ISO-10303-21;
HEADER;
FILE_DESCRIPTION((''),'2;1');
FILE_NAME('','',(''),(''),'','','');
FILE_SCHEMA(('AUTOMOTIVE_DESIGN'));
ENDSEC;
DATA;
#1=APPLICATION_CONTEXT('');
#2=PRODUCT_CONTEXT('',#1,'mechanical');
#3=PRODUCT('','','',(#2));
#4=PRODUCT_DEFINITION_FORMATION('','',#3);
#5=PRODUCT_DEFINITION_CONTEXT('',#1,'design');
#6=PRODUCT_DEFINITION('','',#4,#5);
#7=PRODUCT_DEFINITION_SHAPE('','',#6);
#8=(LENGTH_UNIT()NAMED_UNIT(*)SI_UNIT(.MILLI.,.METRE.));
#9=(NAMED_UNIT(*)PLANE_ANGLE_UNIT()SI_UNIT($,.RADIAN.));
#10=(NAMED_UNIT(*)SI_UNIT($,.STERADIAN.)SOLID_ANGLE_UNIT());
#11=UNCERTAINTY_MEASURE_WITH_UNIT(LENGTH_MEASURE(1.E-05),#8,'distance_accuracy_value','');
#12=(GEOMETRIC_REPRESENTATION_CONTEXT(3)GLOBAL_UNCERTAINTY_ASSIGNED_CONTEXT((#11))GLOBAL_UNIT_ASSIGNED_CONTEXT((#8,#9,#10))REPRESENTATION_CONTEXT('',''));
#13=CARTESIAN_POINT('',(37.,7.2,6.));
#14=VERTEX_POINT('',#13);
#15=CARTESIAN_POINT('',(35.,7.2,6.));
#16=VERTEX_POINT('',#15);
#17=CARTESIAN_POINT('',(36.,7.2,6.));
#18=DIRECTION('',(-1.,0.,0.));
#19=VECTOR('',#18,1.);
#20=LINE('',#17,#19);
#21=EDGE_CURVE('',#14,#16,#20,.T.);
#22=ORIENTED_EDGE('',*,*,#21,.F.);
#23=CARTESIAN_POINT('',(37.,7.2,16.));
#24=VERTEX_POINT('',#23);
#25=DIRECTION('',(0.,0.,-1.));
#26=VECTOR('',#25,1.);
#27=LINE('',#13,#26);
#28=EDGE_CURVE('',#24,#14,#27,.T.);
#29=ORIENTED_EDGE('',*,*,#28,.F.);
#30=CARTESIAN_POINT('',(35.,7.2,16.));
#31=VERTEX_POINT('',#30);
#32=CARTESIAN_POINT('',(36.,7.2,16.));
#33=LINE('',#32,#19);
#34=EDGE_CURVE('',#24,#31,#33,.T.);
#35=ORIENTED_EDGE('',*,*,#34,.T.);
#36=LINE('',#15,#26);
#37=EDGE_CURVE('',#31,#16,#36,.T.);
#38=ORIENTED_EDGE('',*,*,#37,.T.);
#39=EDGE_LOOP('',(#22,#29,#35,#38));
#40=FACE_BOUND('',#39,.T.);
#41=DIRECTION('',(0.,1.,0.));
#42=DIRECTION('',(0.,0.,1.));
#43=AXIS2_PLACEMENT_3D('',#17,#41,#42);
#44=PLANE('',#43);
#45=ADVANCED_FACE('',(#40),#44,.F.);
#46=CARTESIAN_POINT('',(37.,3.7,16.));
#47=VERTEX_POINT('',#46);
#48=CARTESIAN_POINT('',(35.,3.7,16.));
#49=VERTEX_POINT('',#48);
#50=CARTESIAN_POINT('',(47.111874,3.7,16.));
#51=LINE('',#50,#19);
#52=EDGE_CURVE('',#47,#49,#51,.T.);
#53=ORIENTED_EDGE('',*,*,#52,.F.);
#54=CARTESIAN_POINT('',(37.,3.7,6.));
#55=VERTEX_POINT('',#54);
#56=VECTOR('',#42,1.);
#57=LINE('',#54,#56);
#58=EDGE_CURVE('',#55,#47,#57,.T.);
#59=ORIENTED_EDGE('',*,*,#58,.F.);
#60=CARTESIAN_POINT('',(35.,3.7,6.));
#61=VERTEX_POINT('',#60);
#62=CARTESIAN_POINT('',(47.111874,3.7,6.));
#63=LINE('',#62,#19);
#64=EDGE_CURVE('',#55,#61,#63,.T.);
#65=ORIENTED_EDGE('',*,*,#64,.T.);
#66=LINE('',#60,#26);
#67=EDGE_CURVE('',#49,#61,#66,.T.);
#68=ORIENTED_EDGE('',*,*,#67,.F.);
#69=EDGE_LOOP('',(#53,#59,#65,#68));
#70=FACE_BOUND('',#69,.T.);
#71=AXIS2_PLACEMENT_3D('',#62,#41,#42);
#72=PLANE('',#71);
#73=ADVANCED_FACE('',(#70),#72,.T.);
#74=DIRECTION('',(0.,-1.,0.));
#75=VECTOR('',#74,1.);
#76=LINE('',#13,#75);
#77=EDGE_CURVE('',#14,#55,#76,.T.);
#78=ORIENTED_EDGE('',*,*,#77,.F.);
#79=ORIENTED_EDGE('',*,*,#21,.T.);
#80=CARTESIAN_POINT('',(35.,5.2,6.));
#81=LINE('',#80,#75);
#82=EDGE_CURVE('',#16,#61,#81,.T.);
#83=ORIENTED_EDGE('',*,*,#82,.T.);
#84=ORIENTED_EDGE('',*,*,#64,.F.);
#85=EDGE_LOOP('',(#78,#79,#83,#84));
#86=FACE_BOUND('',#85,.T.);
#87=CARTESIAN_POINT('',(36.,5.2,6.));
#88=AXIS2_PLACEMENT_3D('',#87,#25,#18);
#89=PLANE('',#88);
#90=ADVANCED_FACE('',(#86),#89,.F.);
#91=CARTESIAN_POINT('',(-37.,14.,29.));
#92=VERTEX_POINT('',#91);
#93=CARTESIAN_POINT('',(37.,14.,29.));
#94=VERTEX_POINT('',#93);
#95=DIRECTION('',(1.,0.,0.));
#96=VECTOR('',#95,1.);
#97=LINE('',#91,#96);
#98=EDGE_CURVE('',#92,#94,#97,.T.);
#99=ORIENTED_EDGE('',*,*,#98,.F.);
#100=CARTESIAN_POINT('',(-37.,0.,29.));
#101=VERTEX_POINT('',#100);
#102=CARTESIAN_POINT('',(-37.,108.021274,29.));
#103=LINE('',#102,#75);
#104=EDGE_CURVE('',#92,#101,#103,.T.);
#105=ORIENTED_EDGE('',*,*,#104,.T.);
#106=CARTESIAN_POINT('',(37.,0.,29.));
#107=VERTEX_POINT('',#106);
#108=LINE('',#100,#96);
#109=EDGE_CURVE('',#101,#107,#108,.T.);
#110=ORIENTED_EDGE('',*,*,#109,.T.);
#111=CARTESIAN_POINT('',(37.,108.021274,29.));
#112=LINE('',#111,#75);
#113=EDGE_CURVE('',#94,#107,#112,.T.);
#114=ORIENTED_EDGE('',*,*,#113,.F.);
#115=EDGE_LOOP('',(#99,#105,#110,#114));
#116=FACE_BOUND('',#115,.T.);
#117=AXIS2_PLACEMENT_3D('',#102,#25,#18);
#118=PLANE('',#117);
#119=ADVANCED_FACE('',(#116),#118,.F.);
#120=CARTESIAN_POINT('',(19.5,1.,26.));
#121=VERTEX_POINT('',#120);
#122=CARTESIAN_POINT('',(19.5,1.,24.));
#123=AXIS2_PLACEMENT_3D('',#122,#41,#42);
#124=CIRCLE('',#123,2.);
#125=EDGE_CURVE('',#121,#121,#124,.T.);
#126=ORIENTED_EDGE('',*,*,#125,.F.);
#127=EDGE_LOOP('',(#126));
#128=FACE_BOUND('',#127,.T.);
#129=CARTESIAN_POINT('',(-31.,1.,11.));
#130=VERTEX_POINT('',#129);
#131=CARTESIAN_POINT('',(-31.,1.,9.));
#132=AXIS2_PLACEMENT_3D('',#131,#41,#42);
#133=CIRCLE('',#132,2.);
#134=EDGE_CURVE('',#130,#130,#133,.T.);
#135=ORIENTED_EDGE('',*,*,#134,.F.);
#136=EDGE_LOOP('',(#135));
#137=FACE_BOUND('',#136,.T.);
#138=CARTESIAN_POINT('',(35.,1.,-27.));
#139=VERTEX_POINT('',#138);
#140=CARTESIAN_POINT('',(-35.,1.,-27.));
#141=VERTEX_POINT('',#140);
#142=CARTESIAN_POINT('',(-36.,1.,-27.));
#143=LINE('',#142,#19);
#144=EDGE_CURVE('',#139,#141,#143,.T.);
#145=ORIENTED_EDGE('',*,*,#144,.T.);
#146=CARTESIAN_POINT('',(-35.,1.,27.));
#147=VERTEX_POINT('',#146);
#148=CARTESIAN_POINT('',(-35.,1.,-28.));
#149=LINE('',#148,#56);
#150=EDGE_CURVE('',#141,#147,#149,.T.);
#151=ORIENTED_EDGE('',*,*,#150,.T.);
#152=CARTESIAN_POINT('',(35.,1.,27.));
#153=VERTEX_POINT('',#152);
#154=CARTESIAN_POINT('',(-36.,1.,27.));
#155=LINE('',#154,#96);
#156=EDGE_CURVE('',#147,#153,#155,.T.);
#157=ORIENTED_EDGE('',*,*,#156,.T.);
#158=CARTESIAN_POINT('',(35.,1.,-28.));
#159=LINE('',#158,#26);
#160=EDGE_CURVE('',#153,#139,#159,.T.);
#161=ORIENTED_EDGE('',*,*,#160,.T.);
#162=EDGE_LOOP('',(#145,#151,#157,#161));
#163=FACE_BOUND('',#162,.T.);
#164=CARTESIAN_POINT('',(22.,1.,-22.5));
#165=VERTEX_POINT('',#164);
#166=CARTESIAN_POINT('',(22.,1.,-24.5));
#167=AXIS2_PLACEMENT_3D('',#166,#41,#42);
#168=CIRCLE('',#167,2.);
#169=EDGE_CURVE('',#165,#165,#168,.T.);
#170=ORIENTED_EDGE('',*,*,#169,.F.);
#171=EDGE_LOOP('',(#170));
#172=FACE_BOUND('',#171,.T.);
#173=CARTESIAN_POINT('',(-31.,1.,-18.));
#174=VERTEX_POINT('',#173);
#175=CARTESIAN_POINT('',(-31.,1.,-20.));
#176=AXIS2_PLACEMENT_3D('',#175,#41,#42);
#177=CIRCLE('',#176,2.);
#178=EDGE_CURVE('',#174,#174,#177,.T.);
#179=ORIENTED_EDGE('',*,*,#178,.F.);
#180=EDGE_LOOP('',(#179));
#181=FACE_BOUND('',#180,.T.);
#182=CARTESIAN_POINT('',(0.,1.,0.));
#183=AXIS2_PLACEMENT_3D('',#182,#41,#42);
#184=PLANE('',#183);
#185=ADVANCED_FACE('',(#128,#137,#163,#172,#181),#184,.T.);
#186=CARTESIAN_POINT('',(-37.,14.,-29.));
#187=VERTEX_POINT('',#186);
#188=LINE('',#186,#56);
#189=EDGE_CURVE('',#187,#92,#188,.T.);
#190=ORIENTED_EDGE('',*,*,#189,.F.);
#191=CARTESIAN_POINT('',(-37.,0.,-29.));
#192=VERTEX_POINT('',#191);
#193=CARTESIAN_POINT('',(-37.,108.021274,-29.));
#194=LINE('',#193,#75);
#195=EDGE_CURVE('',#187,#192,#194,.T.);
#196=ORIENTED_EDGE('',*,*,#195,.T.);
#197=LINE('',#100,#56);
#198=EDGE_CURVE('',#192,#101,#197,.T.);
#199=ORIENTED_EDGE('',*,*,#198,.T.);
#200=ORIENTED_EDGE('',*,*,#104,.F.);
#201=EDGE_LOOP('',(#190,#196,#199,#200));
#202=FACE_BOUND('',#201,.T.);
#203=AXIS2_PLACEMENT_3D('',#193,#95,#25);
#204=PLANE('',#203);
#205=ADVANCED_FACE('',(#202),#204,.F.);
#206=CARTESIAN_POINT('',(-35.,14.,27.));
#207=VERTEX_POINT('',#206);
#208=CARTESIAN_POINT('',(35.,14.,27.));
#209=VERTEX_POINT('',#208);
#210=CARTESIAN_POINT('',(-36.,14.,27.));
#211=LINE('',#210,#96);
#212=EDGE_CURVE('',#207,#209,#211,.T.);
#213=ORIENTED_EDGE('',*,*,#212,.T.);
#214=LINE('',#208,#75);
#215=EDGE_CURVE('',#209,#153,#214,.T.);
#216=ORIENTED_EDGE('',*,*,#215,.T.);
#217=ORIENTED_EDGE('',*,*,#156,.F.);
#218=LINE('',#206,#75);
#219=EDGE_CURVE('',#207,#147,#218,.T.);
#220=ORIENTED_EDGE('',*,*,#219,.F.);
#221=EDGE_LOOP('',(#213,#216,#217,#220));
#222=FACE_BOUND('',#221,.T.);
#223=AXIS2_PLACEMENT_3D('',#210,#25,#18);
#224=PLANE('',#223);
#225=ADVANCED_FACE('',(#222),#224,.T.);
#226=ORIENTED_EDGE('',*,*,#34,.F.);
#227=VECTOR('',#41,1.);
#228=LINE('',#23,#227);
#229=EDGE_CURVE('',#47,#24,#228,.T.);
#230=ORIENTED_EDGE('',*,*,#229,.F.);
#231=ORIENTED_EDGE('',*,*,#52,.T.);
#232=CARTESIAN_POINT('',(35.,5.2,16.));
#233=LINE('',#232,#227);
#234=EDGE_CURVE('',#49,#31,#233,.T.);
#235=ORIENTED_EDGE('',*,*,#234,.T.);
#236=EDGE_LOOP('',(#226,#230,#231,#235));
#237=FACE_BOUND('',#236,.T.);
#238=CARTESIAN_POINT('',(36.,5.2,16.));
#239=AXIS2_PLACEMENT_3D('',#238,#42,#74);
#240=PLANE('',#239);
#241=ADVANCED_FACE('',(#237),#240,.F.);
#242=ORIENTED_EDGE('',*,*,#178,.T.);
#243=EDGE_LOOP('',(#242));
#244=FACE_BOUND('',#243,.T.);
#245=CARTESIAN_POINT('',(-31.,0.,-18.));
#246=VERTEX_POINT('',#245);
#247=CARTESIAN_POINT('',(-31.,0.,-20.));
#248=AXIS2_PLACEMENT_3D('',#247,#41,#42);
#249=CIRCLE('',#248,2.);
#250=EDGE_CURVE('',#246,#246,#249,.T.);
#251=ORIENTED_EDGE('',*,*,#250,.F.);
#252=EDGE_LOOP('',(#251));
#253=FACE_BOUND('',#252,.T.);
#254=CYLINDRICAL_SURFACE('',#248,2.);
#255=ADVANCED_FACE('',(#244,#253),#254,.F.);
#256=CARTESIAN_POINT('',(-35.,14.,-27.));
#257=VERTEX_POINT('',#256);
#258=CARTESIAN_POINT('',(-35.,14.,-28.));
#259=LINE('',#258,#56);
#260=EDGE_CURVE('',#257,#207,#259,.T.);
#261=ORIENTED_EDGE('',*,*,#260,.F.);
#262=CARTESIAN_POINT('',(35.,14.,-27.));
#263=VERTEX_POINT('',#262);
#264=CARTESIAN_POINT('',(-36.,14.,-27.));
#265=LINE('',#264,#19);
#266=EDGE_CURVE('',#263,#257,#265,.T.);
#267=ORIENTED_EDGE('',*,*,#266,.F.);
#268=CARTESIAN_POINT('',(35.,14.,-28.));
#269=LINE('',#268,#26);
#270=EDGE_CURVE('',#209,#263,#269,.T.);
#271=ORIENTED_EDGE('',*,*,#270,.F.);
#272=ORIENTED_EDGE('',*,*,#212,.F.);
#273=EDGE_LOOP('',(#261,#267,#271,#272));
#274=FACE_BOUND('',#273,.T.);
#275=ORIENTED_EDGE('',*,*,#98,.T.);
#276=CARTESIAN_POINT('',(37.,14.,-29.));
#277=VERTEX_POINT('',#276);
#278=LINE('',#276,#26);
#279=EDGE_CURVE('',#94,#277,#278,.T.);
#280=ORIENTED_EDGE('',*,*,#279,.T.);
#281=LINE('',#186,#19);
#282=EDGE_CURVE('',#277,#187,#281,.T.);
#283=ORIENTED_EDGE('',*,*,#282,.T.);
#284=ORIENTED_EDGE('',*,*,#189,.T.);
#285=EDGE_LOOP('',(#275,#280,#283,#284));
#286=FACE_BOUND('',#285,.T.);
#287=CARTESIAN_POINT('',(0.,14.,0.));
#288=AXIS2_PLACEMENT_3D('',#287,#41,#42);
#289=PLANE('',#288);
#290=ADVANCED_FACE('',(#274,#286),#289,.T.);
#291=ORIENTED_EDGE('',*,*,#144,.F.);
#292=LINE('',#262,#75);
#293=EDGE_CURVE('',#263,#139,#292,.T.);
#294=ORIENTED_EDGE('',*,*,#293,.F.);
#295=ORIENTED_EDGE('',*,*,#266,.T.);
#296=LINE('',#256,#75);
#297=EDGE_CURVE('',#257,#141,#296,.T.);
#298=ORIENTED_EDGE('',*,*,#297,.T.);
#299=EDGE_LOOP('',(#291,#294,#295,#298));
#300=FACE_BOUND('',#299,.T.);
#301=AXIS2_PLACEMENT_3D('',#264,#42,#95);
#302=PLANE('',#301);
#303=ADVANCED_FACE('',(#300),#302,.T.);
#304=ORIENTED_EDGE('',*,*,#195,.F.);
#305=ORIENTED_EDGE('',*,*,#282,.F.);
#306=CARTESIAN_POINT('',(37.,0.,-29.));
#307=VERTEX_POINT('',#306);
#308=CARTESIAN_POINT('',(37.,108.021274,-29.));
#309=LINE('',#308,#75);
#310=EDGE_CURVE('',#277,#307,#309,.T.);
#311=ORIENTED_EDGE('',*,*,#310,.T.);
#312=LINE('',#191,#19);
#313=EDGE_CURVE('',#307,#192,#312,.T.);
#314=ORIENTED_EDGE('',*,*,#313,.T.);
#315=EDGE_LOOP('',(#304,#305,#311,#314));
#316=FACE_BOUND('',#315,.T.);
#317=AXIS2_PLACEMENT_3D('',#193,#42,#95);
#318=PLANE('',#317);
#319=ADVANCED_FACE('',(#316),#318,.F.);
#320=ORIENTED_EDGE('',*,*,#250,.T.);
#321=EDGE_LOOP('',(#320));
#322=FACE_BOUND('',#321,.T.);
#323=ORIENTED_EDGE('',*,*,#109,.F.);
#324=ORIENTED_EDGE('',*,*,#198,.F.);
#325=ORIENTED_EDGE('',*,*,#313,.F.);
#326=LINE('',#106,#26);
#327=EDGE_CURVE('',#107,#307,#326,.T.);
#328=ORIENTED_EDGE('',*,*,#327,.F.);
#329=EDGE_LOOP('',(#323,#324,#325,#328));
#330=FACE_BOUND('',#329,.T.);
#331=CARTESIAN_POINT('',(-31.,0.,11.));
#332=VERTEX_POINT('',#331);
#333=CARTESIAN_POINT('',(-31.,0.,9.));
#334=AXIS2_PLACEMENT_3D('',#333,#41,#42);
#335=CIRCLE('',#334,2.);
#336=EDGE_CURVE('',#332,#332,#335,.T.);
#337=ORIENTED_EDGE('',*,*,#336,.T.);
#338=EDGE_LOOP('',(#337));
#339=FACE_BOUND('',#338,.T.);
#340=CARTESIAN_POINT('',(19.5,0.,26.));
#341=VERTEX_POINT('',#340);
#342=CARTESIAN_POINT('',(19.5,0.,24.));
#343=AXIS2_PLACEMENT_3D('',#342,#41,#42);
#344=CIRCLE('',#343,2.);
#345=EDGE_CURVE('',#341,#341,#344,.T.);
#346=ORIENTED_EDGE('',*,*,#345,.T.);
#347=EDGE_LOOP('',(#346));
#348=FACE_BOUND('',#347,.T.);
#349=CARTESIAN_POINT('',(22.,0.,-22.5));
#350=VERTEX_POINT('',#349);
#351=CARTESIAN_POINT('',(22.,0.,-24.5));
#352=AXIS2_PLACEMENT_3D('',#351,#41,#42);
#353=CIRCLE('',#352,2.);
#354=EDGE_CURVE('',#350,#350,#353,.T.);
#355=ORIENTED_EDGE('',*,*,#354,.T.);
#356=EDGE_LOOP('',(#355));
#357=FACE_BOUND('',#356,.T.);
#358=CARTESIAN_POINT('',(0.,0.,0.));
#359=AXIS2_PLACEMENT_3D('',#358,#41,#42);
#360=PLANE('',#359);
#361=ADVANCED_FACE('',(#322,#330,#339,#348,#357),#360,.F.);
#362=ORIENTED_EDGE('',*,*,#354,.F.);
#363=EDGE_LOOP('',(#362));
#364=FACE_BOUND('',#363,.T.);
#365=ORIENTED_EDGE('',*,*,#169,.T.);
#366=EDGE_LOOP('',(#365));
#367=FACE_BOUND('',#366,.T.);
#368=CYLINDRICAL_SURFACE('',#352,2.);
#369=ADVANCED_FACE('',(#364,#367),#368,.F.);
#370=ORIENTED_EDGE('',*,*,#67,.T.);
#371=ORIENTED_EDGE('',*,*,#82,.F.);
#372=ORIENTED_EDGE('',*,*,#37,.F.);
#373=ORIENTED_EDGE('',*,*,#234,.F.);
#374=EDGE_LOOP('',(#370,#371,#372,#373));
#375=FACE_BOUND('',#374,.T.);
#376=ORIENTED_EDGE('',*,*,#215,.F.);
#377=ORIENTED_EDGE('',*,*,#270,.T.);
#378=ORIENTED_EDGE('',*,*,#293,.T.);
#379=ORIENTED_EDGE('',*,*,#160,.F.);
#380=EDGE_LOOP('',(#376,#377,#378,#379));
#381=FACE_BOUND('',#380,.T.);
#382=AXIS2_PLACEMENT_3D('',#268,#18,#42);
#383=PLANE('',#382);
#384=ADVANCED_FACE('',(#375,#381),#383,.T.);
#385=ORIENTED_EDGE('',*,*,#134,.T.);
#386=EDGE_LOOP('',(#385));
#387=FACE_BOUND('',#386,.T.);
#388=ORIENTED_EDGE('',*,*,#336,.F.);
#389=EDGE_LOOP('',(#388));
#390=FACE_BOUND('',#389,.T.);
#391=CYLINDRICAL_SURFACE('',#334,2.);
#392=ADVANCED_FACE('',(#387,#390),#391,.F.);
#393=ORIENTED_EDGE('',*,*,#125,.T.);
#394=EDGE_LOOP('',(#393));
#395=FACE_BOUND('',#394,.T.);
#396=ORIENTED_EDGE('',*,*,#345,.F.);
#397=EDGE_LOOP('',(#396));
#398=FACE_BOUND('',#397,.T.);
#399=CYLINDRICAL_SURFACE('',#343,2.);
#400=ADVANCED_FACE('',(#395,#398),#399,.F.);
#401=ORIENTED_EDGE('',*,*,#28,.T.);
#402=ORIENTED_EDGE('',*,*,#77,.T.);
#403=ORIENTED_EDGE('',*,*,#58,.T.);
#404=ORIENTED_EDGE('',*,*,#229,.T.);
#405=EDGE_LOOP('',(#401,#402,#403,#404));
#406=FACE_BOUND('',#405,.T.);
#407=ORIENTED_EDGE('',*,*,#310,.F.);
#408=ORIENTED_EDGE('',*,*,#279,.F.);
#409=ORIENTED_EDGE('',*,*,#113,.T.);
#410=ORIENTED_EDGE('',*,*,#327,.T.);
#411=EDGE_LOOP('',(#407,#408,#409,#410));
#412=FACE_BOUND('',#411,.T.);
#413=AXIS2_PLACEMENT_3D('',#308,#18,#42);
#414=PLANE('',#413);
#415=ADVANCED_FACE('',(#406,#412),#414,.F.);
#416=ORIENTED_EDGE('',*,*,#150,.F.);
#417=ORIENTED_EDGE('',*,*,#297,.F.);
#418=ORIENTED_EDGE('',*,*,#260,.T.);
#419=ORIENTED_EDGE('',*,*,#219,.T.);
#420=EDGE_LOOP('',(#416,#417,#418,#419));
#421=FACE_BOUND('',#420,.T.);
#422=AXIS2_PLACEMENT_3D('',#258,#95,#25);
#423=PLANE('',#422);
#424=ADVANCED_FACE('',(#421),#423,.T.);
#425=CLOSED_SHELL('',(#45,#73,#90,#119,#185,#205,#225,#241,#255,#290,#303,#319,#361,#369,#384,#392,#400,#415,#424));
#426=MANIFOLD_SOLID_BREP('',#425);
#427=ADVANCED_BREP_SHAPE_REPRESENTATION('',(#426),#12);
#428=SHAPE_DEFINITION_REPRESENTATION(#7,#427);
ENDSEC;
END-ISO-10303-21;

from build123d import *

# Parameters (mm, degrees)
IZIM1_W                     = 72
IZIM1_H                     = 56
Y_KSEKLIK_EKSTR_ZYON2_DEPTH = 1
IZIM3_W                     = 72
IZIM3_H                     = 56
IZIM3_W_2                   = 70
IZIM3_H_2                   = 54
EKSTR_ZYON_NCE2_DEPTH       = 13
IZIM4_W                     = 10
IZIM4_H                     = 4
KES_EKSTR_ZYON1_DEPTH       = 1
IZIM5_R                     = 2
KES_EKSTR_ZYON2_DEPTH       = 1
IZIM6_W                     = 1
IZIM6_H                     = 14
Y_KSEKLIK_EKSTR_ZYON3_DEPTH = 56
IZIM7_W                     = 10
IZIM7_H                     = 3
KES_EKSTR_ZYON3_DEPTH       = 1
IZIM8_W                     = 74
IZIM8_H                     = 58
IZIM8_W_2                   = 72
IZIM8_H_2                   = 56
EKSTR_ZYON_NCE4_DEPTH       = 13
IZIM9_W                     = 10
IZIM9_H                     = 5
KES_EKSTR_ZYON4_DEPTH       = 1
IZIM10_W                    = 10
IZIM10_H                    = 1.5
Y_KSEKLIK_EKSTR_ZYON4_DEPTH = 2
IZIM11_W                    = 10
IZIM11_H                    = 3.5
KES_EKSTR_ZYON5_DEPTH       = 2
IZIM12_W                    = 74
IZIM12_H                    = 58
IZIM12_W_2                  = 72
IZIM12_H_2                  = 56
EKSTR_ZYON_NCE5_DEPTH       = 1


with BuildPart() as part:
    # Çizim1 → Yükseklik-Ekstrüzyon2 (new body)
    with BuildSketch(Plane(origin=(0, 0, 0), x_dir=(1, 0, 0), z_dir=(0, 1, 0))):
        Rectangle(IZIM1_W, IZIM1_H)
    extrude(amount=Y_KSEKLIK_EKSTR_ZYON2_DEPTH)

    # Çizim3 → Ekstrüzyon-İnce2 (add)
    with BuildSketch(Plane(origin=(0, 1, 0), x_dir=(1, 0, 0), z_dir=(0, 1, 0))):
        Rectangle(IZIM3_W, IZIM3_H)
        Rectangle(IZIM3_W_2, IZIM3_H_2, mode=Mode.SUBTRACT)
    extrude(amount=EKSTR_ZYON_NCE2_DEPTH)

    # Çizim4 → Kes-Ekstrüzyon1 (cut)
    with BuildSketch(Plane.ZY.offset(-35)):
        with Locations((20.9, 4)):
            Rectangle(IZIM4_W, IZIM4_H)
    extrude(amount=-KES_EKSTR_ZYON1_DEPTH, mode=Mode.SUBTRACT)

    # Çizim5 → Kes-Ekstrüzyon2 (cut)
    with BuildSketch(Plane(origin=(0, 1, 0), x_dir=(1, 0, 0), z_dir=(0, 1, 0))):
        with Locations(Location((19.5, -24, 0), (0, 0, 270))):
            Circle(IZIM5_R)
        with Locations(Location((22, 24.5, 0), (0, 0, 270))):
            Circle(IZIM5_R)
        with Locations(Location((-31, -9, 0), (0, 0, 270))):
            Circle(IZIM5_R)
        with Locations(Location((-31, 20, 0), (0, 0, 270))):
            Circle(IZIM5_R)
    extrude(amount=-KES_EKSTR_ZYON2_DEPTH, mode=Mode.SUBTRACT)

    # Çizim6 → Yükseklik-Ekstrüzyon3 (add)
    with BuildSketch(Plane.XY.offset(28)):
        with Locations((35.5, 7)):
            Rectangle(IZIM6_W, IZIM6_H)
    extrude(amount=-Y_KSEKLIK_EKSTR_ZYON3_DEPTH)

    # Çizim7 → Kes-Ekstrüzyon3 (cut)
    with BuildSketch(Plane.ZY.offset(-35)):
        with Locations((11, 3.7)):
            Rectangle(IZIM7_W, IZIM7_H)
    extrude(amount=-KES_EKSTR_ZYON3_DEPTH, mode=Mode.SUBTRACT)

    # Çizim8 → Ekstrüzyon-İnce4 (add)
    with BuildSketch(Plane(origin=(0, 1, 0), x_dir=(1, 0, 0), z_dir=(0, 1, 0))):
        Rectangle(IZIM8_W, IZIM8_H)
        Rectangle(IZIM8_W_2, IZIM8_H_2, mode=Mode.SUBTRACT)
    extrude(amount=EKSTR_ZYON_NCE4_DEPTH)

    # Çizim9 → Kes-Ekstrüzyon4 (cut)
    with BuildSketch(Plane.ZY.offset(-35)):
        with Locations((11, 4.7)):
            Rectangle(IZIM9_W, IZIM9_H)
    extrude(amount=-KES_EKSTR_ZYON4_DEPTH, mode=Mode.SUBTRACT)

    # Çizim10 → Yükseklik-Ekstrüzyon4 (add)
    with BuildSketch(Plane.ZY.offset(-35)):
        with Locations((11, 2.95)):
            Rectangle(IZIM10_W, IZIM10_H)
    extrude(amount=-Y_KSEKLIK_EKSTR_ZYON4_DEPTH)

    # Çizim11 → Kes-Ekstrüzyon5 (cut)
    with BuildSketch(Plane.ZY.offset(-35)):
        with Locations((11, 5.45)):
            Rectangle(IZIM11_W, IZIM11_H)
    extrude(amount=-KES_EKSTR_ZYON5_DEPTH, mode=Mode.SUBTRACT)

    # Çizim12 → Ekstrüzyon-İnce5 (add)
    with BuildSketch(Plane.XZ.offset(-1)):
        Rectangle(IZIM12_W, IZIM12_H)
        Rectangle(IZIM12_W_2, IZIM12_H_2, mode=Mode.SUBTRACT)
    extrude(amount=EKSTR_ZYON_NCE5_DEPTH)


solid = part.part
